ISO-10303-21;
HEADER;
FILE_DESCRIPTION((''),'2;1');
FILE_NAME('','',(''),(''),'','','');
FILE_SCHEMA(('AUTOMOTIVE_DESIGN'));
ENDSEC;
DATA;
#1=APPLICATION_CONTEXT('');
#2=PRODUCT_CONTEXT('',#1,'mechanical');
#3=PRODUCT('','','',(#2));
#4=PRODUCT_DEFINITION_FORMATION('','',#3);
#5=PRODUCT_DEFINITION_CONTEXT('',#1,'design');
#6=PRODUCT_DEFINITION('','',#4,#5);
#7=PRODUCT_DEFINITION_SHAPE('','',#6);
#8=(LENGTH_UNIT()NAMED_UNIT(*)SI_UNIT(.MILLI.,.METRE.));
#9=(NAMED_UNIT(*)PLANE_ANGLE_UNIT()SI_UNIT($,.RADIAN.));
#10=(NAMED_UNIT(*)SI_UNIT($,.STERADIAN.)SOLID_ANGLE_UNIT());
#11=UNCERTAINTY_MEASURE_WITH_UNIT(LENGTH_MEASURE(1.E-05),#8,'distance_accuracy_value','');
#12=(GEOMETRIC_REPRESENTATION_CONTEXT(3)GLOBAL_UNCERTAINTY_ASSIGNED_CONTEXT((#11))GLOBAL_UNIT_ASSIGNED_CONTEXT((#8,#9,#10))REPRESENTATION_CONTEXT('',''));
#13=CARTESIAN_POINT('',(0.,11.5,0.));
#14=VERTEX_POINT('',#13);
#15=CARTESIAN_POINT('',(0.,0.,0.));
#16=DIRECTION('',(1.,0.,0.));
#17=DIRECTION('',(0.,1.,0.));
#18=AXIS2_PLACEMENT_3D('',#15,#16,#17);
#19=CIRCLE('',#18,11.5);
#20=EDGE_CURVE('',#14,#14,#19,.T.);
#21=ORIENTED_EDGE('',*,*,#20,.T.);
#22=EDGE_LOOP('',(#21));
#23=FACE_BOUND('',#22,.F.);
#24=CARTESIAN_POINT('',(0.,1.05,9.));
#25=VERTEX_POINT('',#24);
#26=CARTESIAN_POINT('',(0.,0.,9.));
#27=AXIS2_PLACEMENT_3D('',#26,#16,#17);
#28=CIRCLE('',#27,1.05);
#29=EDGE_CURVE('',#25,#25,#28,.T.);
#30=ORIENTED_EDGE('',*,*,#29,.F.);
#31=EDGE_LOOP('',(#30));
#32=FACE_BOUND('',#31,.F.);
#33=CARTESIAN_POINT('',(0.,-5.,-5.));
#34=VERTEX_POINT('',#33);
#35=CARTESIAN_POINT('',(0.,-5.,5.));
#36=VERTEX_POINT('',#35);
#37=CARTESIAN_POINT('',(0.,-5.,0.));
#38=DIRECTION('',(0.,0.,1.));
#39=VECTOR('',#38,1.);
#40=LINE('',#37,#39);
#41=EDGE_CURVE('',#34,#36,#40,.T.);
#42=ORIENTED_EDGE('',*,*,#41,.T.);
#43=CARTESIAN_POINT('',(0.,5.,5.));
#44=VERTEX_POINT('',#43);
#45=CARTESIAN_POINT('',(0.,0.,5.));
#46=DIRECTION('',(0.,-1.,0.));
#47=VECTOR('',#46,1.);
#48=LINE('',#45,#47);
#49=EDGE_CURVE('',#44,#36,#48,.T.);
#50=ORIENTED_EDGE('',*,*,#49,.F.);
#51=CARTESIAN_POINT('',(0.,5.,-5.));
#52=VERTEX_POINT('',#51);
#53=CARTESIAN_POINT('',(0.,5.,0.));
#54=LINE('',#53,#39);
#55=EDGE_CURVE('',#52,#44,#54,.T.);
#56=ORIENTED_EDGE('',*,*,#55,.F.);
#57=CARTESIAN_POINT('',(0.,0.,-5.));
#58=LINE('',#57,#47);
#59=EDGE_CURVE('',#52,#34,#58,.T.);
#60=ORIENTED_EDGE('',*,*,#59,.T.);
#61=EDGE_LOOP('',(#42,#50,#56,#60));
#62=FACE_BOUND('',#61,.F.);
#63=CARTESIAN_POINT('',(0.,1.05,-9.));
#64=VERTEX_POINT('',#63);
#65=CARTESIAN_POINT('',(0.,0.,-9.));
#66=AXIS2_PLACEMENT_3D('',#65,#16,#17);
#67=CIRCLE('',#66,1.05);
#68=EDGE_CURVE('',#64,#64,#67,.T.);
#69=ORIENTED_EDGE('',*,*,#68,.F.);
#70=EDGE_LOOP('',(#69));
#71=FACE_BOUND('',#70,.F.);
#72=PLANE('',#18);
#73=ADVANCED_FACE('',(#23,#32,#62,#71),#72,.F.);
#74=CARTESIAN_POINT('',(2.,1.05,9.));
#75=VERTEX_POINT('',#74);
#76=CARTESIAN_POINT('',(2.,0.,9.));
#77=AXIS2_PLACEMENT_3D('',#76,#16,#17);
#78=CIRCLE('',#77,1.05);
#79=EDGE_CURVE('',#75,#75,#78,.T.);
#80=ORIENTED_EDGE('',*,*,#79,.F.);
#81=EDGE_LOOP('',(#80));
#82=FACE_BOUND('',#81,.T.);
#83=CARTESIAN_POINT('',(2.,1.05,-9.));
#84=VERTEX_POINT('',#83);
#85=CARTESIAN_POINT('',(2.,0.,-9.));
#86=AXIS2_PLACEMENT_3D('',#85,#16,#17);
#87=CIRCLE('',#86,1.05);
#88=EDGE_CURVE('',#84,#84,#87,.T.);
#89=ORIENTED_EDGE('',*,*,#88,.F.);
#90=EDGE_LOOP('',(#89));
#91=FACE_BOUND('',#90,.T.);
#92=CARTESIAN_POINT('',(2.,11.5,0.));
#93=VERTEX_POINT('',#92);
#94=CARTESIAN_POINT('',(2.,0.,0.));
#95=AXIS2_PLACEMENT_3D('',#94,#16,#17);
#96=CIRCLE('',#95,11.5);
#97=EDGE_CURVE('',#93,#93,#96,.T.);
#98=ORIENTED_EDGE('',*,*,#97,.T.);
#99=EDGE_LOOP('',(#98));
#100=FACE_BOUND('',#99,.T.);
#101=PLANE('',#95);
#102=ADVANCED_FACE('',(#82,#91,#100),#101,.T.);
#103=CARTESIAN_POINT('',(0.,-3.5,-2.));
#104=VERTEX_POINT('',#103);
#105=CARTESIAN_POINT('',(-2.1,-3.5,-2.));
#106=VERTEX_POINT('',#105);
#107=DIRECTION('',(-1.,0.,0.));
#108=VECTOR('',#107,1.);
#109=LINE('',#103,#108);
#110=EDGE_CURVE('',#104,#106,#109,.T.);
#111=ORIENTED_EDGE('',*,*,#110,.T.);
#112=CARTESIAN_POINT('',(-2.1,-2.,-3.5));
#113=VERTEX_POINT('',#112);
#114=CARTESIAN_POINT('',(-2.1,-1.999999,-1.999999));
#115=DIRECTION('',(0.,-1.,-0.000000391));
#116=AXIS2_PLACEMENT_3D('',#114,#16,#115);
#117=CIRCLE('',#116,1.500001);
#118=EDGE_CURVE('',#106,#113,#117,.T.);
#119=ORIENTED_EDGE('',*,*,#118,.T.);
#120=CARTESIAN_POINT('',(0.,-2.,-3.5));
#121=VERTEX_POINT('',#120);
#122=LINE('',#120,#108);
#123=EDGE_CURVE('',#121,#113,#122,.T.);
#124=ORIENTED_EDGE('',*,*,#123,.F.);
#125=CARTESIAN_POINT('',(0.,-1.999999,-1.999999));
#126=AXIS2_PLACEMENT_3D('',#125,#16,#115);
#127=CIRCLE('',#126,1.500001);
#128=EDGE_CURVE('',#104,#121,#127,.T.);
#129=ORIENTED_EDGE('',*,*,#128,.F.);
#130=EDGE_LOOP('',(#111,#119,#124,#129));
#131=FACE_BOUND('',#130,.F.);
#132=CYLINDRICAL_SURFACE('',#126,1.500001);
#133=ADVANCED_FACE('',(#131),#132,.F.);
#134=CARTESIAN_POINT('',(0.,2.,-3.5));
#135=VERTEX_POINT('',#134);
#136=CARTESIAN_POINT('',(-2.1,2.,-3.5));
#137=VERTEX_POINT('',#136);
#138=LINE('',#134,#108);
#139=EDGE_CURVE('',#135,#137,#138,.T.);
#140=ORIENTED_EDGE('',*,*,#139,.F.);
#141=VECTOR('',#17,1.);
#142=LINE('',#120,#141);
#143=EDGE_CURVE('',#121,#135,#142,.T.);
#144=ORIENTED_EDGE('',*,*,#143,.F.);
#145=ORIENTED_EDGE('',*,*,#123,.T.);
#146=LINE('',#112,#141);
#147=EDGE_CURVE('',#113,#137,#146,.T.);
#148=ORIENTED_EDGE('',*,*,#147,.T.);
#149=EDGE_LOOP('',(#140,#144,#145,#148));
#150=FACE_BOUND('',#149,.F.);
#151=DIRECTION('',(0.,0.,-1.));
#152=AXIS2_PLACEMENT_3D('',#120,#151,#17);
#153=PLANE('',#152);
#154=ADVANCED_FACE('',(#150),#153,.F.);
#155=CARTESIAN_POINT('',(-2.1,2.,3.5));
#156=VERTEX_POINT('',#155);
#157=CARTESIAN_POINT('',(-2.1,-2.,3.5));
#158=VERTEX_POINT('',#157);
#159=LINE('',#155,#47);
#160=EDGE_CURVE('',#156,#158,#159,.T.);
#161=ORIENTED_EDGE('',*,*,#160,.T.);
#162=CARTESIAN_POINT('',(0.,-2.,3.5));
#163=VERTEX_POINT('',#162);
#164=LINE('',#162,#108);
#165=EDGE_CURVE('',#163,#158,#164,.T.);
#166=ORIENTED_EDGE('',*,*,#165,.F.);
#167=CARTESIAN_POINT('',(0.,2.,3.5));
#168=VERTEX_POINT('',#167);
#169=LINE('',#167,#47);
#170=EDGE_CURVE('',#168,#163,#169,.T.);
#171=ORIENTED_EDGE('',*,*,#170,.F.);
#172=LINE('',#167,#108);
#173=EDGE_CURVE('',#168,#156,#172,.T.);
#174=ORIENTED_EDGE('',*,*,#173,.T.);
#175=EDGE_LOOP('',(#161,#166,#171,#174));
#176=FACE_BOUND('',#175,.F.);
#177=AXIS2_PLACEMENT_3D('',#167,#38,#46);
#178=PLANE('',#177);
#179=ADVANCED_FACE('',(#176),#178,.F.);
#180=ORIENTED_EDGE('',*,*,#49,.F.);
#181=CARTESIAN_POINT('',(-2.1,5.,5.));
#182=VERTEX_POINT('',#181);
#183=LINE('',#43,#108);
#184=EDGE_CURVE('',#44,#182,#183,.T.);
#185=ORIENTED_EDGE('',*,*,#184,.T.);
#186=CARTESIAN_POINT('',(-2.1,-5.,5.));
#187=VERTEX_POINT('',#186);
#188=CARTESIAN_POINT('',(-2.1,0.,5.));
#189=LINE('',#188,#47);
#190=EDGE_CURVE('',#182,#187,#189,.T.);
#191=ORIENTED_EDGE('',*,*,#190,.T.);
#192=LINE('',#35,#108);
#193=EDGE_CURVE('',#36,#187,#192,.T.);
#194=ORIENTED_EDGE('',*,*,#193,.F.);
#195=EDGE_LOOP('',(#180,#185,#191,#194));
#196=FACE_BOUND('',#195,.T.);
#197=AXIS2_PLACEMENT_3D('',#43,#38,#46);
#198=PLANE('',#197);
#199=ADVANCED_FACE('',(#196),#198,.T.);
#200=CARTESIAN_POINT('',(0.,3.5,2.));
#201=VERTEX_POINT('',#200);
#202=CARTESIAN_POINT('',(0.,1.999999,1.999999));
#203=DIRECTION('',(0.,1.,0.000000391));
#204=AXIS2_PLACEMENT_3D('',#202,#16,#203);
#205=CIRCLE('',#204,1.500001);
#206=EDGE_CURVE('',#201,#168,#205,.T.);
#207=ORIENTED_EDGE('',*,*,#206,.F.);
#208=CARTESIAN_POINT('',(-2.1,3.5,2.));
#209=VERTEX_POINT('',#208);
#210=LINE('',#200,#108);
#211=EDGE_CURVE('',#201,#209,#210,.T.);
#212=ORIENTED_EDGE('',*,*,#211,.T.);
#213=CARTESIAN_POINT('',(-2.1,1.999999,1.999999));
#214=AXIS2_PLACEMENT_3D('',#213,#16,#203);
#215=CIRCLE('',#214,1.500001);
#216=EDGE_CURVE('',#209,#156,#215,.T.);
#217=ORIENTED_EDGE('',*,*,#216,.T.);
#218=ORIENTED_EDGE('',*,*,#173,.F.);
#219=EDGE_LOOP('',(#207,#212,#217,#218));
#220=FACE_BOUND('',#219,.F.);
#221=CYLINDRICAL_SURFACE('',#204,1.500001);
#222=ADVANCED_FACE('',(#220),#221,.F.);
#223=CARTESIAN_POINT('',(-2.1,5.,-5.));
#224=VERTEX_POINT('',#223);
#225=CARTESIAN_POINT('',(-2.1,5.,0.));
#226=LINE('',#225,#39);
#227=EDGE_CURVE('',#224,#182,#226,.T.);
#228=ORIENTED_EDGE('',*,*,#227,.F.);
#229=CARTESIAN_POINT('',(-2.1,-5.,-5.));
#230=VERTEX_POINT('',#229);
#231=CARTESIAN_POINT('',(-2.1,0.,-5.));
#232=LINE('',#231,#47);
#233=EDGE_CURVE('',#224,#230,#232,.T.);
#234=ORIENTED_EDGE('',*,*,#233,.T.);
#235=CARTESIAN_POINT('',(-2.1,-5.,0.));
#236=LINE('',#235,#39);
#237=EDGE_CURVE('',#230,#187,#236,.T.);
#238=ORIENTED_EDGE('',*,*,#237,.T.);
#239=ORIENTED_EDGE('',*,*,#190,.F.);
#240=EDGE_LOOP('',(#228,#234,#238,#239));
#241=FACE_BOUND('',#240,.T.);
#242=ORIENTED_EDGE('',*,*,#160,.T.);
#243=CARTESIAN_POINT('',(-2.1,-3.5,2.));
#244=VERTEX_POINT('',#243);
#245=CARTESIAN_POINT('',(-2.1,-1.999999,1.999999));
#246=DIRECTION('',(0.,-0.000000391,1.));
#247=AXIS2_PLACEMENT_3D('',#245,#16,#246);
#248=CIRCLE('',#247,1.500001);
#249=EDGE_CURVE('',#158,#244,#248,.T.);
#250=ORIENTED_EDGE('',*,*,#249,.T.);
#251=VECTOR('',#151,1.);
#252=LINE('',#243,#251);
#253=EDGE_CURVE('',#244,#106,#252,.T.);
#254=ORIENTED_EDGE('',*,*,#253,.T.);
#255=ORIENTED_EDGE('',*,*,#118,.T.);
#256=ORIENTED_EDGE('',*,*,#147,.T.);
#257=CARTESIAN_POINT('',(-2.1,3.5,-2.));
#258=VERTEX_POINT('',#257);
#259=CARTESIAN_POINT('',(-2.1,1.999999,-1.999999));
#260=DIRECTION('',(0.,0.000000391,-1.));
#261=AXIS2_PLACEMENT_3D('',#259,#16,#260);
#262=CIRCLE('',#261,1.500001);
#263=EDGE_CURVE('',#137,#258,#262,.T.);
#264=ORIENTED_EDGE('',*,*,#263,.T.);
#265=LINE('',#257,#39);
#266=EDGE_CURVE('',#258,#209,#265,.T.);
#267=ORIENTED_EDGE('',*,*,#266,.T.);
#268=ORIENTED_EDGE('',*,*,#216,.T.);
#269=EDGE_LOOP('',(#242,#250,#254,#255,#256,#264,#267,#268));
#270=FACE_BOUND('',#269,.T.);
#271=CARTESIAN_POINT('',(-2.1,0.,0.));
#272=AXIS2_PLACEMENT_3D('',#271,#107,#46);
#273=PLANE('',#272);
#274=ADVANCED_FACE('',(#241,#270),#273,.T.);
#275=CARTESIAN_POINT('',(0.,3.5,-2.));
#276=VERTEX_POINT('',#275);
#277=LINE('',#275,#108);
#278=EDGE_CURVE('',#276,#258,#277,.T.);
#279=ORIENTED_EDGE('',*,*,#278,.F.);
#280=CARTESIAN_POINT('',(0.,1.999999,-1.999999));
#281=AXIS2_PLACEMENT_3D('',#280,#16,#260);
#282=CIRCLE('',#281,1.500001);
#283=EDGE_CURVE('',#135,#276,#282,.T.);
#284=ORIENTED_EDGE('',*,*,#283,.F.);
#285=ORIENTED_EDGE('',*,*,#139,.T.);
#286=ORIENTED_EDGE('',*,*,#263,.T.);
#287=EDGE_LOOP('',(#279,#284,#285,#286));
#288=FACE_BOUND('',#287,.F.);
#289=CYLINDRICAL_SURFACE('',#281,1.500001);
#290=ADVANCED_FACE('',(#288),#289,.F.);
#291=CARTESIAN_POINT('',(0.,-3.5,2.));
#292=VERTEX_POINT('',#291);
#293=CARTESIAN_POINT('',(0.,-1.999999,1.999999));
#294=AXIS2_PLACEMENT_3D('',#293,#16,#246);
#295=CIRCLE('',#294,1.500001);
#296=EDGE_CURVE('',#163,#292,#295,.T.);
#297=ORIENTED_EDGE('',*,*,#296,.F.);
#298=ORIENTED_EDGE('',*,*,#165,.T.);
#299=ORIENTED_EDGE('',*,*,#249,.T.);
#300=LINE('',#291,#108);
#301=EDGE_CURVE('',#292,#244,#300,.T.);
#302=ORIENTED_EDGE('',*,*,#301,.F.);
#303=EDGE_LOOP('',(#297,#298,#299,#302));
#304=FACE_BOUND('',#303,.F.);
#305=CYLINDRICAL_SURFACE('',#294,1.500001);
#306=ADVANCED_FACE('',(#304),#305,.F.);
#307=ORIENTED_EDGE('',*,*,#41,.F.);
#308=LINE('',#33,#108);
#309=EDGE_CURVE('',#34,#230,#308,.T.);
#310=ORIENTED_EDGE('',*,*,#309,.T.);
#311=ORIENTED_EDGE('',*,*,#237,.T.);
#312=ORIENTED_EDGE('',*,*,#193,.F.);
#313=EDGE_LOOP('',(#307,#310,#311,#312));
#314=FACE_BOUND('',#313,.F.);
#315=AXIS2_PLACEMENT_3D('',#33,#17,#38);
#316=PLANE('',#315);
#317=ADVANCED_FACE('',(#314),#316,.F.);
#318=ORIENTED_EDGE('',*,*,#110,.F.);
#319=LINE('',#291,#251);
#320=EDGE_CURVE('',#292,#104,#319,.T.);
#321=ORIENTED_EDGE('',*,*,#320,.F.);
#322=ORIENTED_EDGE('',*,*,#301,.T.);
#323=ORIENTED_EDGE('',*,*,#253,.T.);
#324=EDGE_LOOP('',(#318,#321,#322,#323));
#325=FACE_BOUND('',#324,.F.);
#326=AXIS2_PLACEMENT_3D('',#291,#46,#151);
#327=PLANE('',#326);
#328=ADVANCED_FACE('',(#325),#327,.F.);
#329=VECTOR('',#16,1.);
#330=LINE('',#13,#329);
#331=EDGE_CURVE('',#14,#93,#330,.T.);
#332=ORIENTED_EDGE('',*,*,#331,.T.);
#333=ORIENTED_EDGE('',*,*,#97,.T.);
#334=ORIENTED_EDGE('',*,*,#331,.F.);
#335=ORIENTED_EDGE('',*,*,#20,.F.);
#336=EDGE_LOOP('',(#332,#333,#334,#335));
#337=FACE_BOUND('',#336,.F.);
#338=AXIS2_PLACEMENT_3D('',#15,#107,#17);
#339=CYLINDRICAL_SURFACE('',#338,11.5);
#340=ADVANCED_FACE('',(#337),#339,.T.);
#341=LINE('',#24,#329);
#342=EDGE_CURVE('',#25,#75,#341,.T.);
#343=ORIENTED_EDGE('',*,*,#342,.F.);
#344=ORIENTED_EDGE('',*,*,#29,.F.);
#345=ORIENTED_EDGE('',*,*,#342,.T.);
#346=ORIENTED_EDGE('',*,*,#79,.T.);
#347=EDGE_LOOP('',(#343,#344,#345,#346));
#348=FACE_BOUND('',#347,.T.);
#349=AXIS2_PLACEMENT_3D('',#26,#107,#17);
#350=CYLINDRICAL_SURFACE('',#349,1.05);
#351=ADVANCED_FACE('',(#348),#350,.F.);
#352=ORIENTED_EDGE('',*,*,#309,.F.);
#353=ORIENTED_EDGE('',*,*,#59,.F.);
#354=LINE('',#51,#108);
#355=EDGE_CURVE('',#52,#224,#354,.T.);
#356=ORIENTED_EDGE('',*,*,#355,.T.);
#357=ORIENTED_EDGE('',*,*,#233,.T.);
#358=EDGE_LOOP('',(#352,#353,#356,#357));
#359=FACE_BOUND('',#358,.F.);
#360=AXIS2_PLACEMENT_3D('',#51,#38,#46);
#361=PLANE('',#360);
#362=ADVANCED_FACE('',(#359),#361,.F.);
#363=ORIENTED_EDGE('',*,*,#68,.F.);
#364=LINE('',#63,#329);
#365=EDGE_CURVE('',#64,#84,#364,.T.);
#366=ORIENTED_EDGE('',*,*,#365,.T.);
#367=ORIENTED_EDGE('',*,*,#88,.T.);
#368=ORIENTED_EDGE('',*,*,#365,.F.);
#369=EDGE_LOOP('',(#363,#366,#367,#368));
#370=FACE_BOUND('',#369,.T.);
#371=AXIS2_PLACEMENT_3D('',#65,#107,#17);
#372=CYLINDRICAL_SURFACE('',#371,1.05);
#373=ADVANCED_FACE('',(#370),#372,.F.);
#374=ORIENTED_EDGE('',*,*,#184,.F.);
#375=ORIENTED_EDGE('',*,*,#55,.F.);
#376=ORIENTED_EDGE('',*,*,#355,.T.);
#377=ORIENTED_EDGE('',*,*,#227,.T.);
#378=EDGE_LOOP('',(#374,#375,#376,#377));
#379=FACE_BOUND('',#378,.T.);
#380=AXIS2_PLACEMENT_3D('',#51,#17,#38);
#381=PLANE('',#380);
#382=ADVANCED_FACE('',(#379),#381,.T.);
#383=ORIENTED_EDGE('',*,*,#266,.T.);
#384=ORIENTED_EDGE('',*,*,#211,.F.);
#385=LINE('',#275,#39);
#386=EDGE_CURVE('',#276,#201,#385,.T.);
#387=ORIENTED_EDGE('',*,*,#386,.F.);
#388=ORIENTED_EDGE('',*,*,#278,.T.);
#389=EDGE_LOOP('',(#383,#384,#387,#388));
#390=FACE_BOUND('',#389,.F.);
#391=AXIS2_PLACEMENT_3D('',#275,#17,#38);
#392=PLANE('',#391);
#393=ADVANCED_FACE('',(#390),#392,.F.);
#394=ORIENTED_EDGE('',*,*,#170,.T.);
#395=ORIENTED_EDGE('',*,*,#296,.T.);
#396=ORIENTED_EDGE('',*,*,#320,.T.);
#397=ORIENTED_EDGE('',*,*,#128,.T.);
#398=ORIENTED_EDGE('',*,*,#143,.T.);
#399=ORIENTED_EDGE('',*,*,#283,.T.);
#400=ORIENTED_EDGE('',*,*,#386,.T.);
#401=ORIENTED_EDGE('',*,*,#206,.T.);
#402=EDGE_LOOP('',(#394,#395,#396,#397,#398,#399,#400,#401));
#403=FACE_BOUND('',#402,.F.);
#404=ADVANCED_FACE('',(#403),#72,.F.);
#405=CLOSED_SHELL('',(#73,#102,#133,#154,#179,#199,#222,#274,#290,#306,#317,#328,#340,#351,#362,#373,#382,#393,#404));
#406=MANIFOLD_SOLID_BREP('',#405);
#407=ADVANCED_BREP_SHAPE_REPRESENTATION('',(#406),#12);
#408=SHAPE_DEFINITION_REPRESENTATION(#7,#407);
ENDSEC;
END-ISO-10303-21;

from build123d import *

# Parameters (mm, degrees)
F0_R     = 11.5
F0_R_2   = 1.05
F1_DEPTH = 2
F2_W     = 10
F2_H     = 10
F3_DEPTH = 2.1


with BuildPart() as f1:
    # F0 (on Right) → F1 (new body)
    with BuildSketch(Plane.YZ):
        Circle(F0_R)
        with Locations((0, -9)):
            Circle(F0_R_2, mode=Mode.SUBTRACT)
        with Locations((0, 9)):
            Circle(F0_R_2, mode=Mode.SUBTRACT)
    extrude(amount=F1_DEPTH)

    # F2 (on face) → F3 (join)
    with BuildSketch(Plane(origin=(0, 0, 0), x_dir=(0, -1, 0), z_dir=(-1, 0, 0))):
        Rectangle(F2_W, F2_H)
        with BuildLine():
            ThreePointArc((-3.5, 2), (-3.06066, 3.06066), (-2, 3.5))
            Line((-2, 3.5), (2, 3.5))
            ThreePointArc((2, 3.5), (3.06066, 3.06066), (3.5, 2))
            Line((3.5, 2), (3.5, -2))
            ThreePointArc((3.5, -2), (3.06066, -3.06066), (2, -3.5))
            Line((2, -3.5), (-2, -3.5))
            ThreePointArc((-2, -3.5), (-3.06066, -3.06066), (-3.5, -2))
            Line((-3.5, -2), (-3.5, 2))
        make_face(mode=Mode.SUBTRACT)
    extrude(amount=F3_DEPTH)


solid = f1.part
